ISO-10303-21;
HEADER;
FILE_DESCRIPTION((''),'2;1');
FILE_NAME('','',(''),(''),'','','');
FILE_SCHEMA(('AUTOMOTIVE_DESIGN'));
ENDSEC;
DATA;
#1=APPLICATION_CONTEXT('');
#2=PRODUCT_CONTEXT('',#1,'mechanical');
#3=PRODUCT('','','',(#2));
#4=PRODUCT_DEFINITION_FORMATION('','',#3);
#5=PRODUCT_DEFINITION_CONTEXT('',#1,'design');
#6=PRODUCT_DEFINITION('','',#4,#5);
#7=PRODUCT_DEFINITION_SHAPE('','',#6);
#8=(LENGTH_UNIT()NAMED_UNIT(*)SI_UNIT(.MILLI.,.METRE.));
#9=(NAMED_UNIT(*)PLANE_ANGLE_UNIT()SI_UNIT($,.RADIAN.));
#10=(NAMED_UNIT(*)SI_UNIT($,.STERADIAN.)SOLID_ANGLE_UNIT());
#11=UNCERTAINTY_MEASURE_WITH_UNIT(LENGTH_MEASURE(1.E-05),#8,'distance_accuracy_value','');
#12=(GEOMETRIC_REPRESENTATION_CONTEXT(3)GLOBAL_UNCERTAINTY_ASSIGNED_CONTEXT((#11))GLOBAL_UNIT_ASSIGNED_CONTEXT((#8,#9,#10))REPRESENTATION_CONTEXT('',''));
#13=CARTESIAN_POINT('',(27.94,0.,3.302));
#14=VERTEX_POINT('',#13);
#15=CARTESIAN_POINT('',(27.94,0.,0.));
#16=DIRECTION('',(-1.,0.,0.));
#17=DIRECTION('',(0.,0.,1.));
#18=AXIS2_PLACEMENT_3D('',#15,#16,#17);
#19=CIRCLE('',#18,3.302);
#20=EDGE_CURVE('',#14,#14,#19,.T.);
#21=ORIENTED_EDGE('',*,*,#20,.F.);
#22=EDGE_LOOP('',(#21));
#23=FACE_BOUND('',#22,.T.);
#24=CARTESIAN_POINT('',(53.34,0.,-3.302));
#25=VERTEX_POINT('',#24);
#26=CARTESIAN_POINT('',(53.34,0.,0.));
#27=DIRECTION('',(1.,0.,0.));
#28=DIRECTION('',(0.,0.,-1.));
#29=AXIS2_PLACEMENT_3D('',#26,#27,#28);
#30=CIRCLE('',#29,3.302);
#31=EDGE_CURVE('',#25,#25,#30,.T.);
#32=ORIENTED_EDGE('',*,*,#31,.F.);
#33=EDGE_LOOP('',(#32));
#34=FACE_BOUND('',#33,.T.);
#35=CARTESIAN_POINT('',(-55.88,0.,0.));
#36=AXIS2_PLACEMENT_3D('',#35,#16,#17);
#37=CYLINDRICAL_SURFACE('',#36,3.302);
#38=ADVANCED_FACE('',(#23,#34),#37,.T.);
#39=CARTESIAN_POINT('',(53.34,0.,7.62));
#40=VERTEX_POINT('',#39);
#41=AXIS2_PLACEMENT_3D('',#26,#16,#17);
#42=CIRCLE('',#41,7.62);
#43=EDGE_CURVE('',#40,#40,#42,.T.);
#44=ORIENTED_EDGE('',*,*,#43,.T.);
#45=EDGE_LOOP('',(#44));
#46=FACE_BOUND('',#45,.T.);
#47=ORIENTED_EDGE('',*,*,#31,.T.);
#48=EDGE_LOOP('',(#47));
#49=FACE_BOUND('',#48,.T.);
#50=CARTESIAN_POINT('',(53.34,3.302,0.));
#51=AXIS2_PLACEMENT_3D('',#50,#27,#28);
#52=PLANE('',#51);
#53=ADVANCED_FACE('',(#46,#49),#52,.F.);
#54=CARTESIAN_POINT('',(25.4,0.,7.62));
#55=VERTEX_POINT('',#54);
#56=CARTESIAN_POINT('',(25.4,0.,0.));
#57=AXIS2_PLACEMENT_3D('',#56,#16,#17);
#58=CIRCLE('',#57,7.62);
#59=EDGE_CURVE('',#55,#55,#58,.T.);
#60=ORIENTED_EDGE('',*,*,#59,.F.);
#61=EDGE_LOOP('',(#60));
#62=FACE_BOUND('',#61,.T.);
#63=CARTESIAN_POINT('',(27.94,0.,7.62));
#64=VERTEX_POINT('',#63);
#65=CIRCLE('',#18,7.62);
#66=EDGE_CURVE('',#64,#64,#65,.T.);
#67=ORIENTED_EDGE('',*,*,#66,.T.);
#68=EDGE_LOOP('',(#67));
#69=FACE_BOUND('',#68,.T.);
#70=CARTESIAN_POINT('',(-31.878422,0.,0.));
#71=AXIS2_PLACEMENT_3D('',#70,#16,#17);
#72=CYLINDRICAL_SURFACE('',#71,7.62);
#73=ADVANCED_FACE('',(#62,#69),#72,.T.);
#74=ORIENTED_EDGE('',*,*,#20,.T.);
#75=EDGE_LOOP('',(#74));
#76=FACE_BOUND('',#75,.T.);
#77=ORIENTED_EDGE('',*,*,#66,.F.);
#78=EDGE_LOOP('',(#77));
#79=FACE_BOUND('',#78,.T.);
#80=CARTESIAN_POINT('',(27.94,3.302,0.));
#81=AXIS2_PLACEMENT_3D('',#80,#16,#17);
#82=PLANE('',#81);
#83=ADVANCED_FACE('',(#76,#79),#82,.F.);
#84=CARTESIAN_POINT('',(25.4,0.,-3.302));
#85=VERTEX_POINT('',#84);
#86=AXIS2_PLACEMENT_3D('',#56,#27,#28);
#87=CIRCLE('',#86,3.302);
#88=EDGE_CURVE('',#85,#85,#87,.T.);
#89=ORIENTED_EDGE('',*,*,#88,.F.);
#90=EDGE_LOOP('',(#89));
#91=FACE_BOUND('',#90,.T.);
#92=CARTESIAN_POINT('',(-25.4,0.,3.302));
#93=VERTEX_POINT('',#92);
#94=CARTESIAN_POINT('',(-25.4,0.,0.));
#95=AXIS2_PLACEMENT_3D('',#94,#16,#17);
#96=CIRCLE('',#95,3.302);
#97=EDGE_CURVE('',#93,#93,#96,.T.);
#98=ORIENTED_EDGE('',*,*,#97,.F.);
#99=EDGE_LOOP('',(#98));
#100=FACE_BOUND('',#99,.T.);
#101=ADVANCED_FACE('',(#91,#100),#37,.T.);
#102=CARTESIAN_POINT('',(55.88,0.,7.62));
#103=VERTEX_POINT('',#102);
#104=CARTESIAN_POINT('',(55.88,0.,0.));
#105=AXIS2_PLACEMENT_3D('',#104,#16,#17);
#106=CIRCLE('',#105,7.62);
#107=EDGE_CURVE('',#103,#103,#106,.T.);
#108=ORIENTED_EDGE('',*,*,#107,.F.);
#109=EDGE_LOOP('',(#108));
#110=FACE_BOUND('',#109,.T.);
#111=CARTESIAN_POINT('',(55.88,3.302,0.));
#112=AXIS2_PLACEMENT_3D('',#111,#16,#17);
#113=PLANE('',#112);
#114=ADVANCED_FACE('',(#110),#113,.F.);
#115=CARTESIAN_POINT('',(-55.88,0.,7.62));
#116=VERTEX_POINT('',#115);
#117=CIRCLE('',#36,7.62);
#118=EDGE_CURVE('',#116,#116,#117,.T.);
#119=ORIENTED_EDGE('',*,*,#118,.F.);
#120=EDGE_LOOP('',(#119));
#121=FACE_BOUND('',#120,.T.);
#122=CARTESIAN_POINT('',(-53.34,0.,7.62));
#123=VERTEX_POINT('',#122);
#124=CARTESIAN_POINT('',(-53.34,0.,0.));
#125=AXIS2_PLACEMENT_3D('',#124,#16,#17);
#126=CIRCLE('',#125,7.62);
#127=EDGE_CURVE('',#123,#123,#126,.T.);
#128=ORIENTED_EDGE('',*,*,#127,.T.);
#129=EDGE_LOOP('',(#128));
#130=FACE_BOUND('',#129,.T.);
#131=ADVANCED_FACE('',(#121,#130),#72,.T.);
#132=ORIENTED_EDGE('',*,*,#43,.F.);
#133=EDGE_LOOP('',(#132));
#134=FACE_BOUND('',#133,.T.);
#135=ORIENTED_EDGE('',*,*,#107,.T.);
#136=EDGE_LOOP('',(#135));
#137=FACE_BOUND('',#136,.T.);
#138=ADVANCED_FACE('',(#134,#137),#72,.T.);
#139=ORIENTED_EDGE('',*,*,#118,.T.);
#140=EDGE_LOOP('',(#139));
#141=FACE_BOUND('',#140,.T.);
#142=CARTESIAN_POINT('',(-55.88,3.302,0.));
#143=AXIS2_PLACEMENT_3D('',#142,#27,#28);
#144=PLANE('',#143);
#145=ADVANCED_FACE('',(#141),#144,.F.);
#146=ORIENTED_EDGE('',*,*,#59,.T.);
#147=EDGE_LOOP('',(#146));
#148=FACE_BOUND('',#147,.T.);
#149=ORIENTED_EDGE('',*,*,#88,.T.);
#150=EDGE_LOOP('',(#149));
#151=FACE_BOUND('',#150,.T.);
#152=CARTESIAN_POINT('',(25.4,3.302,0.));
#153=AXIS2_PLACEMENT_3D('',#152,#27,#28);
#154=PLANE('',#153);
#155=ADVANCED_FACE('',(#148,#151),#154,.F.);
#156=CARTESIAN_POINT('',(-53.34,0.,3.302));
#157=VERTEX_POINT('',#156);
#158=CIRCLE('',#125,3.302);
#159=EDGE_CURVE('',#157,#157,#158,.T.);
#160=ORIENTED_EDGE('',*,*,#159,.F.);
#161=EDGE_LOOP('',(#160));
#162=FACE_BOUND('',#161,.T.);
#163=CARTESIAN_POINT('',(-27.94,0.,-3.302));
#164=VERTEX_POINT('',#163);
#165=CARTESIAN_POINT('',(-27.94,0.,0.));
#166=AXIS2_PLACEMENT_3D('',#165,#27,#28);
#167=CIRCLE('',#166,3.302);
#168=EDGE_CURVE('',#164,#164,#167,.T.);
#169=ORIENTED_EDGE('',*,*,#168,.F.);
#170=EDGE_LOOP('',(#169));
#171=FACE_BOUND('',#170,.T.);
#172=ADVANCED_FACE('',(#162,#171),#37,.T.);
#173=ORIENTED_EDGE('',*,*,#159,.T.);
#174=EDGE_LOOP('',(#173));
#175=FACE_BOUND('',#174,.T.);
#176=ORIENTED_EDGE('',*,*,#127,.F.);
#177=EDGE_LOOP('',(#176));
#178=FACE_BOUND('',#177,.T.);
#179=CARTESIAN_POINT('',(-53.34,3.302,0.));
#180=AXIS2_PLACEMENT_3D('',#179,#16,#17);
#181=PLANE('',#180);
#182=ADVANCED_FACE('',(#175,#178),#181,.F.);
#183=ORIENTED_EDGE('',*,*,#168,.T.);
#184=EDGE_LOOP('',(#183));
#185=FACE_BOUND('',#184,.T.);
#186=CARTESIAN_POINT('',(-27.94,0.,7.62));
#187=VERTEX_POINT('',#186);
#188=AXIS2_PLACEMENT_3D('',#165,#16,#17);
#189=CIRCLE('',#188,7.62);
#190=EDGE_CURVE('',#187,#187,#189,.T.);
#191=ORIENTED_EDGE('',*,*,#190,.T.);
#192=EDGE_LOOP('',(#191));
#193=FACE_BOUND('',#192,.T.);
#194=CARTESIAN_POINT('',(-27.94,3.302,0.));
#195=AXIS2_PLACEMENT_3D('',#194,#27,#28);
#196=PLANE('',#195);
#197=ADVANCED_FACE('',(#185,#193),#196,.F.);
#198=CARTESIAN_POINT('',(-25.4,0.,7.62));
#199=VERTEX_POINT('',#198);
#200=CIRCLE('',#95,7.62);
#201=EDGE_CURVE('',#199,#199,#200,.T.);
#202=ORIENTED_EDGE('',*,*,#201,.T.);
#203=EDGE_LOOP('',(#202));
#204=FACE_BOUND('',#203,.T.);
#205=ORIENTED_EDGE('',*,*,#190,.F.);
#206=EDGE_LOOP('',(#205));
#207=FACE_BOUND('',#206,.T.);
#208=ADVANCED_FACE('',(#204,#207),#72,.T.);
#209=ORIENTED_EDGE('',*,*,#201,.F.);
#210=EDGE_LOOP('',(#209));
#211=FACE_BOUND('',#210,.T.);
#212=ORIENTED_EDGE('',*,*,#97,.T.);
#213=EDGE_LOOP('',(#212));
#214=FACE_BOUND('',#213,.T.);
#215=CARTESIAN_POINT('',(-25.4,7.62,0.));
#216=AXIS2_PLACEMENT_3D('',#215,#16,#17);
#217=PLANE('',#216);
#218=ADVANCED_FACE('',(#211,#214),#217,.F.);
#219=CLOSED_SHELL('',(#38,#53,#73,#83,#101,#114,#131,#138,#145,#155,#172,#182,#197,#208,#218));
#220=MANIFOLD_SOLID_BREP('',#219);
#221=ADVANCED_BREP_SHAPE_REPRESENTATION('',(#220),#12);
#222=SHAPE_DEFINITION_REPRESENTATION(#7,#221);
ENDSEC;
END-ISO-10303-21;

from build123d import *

# Parameters (mm, degrees)
SKETCH1_W = 111.76
SKETCH1_H = 3.302
SKETCH6_W = 2.54
SKETCH6_H = 4.318


with BuildPart() as part:
    # Sketch1 → Revolve1 (revolve)
    with BuildSketch(Plane.XY, mode=Mode.PRIVATE) as revolve1_sk:
        with Locations((0, 1.651)):
            Rectangle(SKETCH1_W, SKETCH1_H)
    revolve(revolve1_sk.sketch.rotate(Axis((-55.88, 0, 0), (1, 0, 0)), 90), axis=Axis((-55.88, 0, 0), (1, 0, 0)))

    # Sketch6 → Revolve2 (revolve)
    with BuildSketch(Plane.XY, mode=Mode.PRIVATE) as revolve2_sk:
        with Locations((-26.67, 5.461)):
            Rectangle(SKETCH6_W, SKETCH6_H)
        with Locations((26.67, 5.461)):
            Rectangle(SKETCH6_W, SKETCH6_H)
        with Locations((-54.61, 5.461)):
            Rectangle(SKETCH6_W, SKETCH6_H)
        with Locations((54.61, 5.461)):
            Rectangle(SKETCH6_W, SKETCH6_H)
    revolve(revolve2_sk.sketch.rotate(Axis((-31.878421892, 0, 0), (1, 0, 0)), 90), axis=Axis((-31.878421892, 0, 0), (1, 0, 0)))


solid = part.part
